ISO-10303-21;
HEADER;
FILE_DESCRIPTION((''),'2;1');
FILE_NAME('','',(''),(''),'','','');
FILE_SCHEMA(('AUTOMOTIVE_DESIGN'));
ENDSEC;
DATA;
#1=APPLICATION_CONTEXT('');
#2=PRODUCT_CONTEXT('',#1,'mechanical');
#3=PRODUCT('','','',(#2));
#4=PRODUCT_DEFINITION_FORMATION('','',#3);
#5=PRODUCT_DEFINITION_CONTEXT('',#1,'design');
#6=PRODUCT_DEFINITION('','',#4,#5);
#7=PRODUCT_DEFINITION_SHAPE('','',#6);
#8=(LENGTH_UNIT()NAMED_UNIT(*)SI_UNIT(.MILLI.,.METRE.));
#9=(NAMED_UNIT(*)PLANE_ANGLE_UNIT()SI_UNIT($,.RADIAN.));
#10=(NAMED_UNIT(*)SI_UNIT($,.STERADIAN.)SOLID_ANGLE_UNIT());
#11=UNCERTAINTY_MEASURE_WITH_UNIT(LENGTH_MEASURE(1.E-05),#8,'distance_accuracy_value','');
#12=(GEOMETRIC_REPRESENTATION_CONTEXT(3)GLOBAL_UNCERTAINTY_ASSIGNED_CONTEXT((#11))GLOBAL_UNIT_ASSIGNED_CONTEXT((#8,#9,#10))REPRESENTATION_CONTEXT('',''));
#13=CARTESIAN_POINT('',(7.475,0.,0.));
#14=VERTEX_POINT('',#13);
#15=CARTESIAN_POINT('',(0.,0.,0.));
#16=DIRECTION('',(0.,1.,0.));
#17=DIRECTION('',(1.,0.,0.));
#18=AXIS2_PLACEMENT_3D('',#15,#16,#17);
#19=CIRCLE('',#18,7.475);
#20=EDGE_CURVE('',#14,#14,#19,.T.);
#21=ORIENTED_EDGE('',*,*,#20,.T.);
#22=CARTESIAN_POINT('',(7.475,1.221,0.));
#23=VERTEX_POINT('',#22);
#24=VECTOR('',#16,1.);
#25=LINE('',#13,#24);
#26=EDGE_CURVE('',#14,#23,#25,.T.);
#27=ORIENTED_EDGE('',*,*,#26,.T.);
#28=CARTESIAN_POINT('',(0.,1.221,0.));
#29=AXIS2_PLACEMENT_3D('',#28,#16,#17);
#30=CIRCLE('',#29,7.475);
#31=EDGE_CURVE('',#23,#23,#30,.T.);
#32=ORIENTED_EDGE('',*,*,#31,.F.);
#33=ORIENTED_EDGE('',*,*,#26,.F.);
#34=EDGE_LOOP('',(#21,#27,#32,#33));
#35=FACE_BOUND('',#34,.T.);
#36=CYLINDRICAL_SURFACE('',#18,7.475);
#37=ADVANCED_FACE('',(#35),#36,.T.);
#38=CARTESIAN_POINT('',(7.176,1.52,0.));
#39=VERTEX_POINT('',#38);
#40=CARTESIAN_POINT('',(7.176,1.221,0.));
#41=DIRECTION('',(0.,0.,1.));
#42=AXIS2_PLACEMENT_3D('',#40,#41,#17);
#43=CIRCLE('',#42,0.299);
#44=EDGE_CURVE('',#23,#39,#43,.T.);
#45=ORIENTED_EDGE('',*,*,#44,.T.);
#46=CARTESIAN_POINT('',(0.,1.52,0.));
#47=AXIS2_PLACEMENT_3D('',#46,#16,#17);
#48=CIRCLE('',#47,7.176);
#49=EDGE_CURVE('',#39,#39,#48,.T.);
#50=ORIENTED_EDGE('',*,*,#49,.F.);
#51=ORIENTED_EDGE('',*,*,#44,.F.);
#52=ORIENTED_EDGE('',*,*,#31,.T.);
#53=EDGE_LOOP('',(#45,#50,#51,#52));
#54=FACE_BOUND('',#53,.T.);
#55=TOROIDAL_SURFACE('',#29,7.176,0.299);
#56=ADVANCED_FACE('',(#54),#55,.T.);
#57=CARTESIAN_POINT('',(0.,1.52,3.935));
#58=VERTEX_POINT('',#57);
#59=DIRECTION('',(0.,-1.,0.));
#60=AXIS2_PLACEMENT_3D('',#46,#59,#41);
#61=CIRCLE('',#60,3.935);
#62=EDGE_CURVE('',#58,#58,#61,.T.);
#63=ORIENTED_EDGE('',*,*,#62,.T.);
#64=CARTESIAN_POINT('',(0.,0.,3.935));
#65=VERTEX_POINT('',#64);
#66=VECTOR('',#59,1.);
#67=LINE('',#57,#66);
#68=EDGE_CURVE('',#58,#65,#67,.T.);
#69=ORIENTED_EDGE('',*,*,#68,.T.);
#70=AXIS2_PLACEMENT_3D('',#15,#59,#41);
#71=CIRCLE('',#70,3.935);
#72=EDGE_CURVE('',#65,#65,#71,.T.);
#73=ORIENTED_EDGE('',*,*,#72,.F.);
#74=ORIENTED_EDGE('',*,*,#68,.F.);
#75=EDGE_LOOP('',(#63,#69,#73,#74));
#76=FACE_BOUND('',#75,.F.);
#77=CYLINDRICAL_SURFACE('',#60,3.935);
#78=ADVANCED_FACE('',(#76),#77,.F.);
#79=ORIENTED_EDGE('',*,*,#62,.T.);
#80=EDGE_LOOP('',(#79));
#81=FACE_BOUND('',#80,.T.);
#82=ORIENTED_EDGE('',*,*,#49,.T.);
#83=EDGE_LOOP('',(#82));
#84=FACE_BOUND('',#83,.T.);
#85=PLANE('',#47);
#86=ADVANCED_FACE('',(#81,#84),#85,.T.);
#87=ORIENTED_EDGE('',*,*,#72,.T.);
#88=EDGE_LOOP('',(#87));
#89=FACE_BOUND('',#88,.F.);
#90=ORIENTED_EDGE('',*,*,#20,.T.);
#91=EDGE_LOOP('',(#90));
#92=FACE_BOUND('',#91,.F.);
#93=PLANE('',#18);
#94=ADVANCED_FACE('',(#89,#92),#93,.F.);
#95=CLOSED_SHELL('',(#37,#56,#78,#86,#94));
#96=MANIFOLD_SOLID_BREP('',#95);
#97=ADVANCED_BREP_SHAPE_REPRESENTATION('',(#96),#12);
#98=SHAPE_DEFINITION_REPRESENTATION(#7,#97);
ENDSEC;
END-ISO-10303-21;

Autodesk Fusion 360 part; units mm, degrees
cylinder "CylindrePrimitive1" add diameter 14.95 height 1.52 placed x (1, 0, 0) y (0, 0, -1) z (0, 1, 0) at (0, 0, 0)
hole "Perçage1" at (0, 1.52, 0) direction (0, -1, 0) diameter 7.87 end through all
fillet "Congé1" radius 0.299 1 edges at (-6.9691, 1.52, 2.7031)
equation "rond_diam = 14.95 mm"
equation "tige_diam = 7.87 mm"
equation "d5 = rond_ep"
equation "rond_ep = 1.52 mm"
equation "d9 = tige_diam"
equation "d12 = rond_diam / 50"
equation "d12 = rond_diam / 50"
